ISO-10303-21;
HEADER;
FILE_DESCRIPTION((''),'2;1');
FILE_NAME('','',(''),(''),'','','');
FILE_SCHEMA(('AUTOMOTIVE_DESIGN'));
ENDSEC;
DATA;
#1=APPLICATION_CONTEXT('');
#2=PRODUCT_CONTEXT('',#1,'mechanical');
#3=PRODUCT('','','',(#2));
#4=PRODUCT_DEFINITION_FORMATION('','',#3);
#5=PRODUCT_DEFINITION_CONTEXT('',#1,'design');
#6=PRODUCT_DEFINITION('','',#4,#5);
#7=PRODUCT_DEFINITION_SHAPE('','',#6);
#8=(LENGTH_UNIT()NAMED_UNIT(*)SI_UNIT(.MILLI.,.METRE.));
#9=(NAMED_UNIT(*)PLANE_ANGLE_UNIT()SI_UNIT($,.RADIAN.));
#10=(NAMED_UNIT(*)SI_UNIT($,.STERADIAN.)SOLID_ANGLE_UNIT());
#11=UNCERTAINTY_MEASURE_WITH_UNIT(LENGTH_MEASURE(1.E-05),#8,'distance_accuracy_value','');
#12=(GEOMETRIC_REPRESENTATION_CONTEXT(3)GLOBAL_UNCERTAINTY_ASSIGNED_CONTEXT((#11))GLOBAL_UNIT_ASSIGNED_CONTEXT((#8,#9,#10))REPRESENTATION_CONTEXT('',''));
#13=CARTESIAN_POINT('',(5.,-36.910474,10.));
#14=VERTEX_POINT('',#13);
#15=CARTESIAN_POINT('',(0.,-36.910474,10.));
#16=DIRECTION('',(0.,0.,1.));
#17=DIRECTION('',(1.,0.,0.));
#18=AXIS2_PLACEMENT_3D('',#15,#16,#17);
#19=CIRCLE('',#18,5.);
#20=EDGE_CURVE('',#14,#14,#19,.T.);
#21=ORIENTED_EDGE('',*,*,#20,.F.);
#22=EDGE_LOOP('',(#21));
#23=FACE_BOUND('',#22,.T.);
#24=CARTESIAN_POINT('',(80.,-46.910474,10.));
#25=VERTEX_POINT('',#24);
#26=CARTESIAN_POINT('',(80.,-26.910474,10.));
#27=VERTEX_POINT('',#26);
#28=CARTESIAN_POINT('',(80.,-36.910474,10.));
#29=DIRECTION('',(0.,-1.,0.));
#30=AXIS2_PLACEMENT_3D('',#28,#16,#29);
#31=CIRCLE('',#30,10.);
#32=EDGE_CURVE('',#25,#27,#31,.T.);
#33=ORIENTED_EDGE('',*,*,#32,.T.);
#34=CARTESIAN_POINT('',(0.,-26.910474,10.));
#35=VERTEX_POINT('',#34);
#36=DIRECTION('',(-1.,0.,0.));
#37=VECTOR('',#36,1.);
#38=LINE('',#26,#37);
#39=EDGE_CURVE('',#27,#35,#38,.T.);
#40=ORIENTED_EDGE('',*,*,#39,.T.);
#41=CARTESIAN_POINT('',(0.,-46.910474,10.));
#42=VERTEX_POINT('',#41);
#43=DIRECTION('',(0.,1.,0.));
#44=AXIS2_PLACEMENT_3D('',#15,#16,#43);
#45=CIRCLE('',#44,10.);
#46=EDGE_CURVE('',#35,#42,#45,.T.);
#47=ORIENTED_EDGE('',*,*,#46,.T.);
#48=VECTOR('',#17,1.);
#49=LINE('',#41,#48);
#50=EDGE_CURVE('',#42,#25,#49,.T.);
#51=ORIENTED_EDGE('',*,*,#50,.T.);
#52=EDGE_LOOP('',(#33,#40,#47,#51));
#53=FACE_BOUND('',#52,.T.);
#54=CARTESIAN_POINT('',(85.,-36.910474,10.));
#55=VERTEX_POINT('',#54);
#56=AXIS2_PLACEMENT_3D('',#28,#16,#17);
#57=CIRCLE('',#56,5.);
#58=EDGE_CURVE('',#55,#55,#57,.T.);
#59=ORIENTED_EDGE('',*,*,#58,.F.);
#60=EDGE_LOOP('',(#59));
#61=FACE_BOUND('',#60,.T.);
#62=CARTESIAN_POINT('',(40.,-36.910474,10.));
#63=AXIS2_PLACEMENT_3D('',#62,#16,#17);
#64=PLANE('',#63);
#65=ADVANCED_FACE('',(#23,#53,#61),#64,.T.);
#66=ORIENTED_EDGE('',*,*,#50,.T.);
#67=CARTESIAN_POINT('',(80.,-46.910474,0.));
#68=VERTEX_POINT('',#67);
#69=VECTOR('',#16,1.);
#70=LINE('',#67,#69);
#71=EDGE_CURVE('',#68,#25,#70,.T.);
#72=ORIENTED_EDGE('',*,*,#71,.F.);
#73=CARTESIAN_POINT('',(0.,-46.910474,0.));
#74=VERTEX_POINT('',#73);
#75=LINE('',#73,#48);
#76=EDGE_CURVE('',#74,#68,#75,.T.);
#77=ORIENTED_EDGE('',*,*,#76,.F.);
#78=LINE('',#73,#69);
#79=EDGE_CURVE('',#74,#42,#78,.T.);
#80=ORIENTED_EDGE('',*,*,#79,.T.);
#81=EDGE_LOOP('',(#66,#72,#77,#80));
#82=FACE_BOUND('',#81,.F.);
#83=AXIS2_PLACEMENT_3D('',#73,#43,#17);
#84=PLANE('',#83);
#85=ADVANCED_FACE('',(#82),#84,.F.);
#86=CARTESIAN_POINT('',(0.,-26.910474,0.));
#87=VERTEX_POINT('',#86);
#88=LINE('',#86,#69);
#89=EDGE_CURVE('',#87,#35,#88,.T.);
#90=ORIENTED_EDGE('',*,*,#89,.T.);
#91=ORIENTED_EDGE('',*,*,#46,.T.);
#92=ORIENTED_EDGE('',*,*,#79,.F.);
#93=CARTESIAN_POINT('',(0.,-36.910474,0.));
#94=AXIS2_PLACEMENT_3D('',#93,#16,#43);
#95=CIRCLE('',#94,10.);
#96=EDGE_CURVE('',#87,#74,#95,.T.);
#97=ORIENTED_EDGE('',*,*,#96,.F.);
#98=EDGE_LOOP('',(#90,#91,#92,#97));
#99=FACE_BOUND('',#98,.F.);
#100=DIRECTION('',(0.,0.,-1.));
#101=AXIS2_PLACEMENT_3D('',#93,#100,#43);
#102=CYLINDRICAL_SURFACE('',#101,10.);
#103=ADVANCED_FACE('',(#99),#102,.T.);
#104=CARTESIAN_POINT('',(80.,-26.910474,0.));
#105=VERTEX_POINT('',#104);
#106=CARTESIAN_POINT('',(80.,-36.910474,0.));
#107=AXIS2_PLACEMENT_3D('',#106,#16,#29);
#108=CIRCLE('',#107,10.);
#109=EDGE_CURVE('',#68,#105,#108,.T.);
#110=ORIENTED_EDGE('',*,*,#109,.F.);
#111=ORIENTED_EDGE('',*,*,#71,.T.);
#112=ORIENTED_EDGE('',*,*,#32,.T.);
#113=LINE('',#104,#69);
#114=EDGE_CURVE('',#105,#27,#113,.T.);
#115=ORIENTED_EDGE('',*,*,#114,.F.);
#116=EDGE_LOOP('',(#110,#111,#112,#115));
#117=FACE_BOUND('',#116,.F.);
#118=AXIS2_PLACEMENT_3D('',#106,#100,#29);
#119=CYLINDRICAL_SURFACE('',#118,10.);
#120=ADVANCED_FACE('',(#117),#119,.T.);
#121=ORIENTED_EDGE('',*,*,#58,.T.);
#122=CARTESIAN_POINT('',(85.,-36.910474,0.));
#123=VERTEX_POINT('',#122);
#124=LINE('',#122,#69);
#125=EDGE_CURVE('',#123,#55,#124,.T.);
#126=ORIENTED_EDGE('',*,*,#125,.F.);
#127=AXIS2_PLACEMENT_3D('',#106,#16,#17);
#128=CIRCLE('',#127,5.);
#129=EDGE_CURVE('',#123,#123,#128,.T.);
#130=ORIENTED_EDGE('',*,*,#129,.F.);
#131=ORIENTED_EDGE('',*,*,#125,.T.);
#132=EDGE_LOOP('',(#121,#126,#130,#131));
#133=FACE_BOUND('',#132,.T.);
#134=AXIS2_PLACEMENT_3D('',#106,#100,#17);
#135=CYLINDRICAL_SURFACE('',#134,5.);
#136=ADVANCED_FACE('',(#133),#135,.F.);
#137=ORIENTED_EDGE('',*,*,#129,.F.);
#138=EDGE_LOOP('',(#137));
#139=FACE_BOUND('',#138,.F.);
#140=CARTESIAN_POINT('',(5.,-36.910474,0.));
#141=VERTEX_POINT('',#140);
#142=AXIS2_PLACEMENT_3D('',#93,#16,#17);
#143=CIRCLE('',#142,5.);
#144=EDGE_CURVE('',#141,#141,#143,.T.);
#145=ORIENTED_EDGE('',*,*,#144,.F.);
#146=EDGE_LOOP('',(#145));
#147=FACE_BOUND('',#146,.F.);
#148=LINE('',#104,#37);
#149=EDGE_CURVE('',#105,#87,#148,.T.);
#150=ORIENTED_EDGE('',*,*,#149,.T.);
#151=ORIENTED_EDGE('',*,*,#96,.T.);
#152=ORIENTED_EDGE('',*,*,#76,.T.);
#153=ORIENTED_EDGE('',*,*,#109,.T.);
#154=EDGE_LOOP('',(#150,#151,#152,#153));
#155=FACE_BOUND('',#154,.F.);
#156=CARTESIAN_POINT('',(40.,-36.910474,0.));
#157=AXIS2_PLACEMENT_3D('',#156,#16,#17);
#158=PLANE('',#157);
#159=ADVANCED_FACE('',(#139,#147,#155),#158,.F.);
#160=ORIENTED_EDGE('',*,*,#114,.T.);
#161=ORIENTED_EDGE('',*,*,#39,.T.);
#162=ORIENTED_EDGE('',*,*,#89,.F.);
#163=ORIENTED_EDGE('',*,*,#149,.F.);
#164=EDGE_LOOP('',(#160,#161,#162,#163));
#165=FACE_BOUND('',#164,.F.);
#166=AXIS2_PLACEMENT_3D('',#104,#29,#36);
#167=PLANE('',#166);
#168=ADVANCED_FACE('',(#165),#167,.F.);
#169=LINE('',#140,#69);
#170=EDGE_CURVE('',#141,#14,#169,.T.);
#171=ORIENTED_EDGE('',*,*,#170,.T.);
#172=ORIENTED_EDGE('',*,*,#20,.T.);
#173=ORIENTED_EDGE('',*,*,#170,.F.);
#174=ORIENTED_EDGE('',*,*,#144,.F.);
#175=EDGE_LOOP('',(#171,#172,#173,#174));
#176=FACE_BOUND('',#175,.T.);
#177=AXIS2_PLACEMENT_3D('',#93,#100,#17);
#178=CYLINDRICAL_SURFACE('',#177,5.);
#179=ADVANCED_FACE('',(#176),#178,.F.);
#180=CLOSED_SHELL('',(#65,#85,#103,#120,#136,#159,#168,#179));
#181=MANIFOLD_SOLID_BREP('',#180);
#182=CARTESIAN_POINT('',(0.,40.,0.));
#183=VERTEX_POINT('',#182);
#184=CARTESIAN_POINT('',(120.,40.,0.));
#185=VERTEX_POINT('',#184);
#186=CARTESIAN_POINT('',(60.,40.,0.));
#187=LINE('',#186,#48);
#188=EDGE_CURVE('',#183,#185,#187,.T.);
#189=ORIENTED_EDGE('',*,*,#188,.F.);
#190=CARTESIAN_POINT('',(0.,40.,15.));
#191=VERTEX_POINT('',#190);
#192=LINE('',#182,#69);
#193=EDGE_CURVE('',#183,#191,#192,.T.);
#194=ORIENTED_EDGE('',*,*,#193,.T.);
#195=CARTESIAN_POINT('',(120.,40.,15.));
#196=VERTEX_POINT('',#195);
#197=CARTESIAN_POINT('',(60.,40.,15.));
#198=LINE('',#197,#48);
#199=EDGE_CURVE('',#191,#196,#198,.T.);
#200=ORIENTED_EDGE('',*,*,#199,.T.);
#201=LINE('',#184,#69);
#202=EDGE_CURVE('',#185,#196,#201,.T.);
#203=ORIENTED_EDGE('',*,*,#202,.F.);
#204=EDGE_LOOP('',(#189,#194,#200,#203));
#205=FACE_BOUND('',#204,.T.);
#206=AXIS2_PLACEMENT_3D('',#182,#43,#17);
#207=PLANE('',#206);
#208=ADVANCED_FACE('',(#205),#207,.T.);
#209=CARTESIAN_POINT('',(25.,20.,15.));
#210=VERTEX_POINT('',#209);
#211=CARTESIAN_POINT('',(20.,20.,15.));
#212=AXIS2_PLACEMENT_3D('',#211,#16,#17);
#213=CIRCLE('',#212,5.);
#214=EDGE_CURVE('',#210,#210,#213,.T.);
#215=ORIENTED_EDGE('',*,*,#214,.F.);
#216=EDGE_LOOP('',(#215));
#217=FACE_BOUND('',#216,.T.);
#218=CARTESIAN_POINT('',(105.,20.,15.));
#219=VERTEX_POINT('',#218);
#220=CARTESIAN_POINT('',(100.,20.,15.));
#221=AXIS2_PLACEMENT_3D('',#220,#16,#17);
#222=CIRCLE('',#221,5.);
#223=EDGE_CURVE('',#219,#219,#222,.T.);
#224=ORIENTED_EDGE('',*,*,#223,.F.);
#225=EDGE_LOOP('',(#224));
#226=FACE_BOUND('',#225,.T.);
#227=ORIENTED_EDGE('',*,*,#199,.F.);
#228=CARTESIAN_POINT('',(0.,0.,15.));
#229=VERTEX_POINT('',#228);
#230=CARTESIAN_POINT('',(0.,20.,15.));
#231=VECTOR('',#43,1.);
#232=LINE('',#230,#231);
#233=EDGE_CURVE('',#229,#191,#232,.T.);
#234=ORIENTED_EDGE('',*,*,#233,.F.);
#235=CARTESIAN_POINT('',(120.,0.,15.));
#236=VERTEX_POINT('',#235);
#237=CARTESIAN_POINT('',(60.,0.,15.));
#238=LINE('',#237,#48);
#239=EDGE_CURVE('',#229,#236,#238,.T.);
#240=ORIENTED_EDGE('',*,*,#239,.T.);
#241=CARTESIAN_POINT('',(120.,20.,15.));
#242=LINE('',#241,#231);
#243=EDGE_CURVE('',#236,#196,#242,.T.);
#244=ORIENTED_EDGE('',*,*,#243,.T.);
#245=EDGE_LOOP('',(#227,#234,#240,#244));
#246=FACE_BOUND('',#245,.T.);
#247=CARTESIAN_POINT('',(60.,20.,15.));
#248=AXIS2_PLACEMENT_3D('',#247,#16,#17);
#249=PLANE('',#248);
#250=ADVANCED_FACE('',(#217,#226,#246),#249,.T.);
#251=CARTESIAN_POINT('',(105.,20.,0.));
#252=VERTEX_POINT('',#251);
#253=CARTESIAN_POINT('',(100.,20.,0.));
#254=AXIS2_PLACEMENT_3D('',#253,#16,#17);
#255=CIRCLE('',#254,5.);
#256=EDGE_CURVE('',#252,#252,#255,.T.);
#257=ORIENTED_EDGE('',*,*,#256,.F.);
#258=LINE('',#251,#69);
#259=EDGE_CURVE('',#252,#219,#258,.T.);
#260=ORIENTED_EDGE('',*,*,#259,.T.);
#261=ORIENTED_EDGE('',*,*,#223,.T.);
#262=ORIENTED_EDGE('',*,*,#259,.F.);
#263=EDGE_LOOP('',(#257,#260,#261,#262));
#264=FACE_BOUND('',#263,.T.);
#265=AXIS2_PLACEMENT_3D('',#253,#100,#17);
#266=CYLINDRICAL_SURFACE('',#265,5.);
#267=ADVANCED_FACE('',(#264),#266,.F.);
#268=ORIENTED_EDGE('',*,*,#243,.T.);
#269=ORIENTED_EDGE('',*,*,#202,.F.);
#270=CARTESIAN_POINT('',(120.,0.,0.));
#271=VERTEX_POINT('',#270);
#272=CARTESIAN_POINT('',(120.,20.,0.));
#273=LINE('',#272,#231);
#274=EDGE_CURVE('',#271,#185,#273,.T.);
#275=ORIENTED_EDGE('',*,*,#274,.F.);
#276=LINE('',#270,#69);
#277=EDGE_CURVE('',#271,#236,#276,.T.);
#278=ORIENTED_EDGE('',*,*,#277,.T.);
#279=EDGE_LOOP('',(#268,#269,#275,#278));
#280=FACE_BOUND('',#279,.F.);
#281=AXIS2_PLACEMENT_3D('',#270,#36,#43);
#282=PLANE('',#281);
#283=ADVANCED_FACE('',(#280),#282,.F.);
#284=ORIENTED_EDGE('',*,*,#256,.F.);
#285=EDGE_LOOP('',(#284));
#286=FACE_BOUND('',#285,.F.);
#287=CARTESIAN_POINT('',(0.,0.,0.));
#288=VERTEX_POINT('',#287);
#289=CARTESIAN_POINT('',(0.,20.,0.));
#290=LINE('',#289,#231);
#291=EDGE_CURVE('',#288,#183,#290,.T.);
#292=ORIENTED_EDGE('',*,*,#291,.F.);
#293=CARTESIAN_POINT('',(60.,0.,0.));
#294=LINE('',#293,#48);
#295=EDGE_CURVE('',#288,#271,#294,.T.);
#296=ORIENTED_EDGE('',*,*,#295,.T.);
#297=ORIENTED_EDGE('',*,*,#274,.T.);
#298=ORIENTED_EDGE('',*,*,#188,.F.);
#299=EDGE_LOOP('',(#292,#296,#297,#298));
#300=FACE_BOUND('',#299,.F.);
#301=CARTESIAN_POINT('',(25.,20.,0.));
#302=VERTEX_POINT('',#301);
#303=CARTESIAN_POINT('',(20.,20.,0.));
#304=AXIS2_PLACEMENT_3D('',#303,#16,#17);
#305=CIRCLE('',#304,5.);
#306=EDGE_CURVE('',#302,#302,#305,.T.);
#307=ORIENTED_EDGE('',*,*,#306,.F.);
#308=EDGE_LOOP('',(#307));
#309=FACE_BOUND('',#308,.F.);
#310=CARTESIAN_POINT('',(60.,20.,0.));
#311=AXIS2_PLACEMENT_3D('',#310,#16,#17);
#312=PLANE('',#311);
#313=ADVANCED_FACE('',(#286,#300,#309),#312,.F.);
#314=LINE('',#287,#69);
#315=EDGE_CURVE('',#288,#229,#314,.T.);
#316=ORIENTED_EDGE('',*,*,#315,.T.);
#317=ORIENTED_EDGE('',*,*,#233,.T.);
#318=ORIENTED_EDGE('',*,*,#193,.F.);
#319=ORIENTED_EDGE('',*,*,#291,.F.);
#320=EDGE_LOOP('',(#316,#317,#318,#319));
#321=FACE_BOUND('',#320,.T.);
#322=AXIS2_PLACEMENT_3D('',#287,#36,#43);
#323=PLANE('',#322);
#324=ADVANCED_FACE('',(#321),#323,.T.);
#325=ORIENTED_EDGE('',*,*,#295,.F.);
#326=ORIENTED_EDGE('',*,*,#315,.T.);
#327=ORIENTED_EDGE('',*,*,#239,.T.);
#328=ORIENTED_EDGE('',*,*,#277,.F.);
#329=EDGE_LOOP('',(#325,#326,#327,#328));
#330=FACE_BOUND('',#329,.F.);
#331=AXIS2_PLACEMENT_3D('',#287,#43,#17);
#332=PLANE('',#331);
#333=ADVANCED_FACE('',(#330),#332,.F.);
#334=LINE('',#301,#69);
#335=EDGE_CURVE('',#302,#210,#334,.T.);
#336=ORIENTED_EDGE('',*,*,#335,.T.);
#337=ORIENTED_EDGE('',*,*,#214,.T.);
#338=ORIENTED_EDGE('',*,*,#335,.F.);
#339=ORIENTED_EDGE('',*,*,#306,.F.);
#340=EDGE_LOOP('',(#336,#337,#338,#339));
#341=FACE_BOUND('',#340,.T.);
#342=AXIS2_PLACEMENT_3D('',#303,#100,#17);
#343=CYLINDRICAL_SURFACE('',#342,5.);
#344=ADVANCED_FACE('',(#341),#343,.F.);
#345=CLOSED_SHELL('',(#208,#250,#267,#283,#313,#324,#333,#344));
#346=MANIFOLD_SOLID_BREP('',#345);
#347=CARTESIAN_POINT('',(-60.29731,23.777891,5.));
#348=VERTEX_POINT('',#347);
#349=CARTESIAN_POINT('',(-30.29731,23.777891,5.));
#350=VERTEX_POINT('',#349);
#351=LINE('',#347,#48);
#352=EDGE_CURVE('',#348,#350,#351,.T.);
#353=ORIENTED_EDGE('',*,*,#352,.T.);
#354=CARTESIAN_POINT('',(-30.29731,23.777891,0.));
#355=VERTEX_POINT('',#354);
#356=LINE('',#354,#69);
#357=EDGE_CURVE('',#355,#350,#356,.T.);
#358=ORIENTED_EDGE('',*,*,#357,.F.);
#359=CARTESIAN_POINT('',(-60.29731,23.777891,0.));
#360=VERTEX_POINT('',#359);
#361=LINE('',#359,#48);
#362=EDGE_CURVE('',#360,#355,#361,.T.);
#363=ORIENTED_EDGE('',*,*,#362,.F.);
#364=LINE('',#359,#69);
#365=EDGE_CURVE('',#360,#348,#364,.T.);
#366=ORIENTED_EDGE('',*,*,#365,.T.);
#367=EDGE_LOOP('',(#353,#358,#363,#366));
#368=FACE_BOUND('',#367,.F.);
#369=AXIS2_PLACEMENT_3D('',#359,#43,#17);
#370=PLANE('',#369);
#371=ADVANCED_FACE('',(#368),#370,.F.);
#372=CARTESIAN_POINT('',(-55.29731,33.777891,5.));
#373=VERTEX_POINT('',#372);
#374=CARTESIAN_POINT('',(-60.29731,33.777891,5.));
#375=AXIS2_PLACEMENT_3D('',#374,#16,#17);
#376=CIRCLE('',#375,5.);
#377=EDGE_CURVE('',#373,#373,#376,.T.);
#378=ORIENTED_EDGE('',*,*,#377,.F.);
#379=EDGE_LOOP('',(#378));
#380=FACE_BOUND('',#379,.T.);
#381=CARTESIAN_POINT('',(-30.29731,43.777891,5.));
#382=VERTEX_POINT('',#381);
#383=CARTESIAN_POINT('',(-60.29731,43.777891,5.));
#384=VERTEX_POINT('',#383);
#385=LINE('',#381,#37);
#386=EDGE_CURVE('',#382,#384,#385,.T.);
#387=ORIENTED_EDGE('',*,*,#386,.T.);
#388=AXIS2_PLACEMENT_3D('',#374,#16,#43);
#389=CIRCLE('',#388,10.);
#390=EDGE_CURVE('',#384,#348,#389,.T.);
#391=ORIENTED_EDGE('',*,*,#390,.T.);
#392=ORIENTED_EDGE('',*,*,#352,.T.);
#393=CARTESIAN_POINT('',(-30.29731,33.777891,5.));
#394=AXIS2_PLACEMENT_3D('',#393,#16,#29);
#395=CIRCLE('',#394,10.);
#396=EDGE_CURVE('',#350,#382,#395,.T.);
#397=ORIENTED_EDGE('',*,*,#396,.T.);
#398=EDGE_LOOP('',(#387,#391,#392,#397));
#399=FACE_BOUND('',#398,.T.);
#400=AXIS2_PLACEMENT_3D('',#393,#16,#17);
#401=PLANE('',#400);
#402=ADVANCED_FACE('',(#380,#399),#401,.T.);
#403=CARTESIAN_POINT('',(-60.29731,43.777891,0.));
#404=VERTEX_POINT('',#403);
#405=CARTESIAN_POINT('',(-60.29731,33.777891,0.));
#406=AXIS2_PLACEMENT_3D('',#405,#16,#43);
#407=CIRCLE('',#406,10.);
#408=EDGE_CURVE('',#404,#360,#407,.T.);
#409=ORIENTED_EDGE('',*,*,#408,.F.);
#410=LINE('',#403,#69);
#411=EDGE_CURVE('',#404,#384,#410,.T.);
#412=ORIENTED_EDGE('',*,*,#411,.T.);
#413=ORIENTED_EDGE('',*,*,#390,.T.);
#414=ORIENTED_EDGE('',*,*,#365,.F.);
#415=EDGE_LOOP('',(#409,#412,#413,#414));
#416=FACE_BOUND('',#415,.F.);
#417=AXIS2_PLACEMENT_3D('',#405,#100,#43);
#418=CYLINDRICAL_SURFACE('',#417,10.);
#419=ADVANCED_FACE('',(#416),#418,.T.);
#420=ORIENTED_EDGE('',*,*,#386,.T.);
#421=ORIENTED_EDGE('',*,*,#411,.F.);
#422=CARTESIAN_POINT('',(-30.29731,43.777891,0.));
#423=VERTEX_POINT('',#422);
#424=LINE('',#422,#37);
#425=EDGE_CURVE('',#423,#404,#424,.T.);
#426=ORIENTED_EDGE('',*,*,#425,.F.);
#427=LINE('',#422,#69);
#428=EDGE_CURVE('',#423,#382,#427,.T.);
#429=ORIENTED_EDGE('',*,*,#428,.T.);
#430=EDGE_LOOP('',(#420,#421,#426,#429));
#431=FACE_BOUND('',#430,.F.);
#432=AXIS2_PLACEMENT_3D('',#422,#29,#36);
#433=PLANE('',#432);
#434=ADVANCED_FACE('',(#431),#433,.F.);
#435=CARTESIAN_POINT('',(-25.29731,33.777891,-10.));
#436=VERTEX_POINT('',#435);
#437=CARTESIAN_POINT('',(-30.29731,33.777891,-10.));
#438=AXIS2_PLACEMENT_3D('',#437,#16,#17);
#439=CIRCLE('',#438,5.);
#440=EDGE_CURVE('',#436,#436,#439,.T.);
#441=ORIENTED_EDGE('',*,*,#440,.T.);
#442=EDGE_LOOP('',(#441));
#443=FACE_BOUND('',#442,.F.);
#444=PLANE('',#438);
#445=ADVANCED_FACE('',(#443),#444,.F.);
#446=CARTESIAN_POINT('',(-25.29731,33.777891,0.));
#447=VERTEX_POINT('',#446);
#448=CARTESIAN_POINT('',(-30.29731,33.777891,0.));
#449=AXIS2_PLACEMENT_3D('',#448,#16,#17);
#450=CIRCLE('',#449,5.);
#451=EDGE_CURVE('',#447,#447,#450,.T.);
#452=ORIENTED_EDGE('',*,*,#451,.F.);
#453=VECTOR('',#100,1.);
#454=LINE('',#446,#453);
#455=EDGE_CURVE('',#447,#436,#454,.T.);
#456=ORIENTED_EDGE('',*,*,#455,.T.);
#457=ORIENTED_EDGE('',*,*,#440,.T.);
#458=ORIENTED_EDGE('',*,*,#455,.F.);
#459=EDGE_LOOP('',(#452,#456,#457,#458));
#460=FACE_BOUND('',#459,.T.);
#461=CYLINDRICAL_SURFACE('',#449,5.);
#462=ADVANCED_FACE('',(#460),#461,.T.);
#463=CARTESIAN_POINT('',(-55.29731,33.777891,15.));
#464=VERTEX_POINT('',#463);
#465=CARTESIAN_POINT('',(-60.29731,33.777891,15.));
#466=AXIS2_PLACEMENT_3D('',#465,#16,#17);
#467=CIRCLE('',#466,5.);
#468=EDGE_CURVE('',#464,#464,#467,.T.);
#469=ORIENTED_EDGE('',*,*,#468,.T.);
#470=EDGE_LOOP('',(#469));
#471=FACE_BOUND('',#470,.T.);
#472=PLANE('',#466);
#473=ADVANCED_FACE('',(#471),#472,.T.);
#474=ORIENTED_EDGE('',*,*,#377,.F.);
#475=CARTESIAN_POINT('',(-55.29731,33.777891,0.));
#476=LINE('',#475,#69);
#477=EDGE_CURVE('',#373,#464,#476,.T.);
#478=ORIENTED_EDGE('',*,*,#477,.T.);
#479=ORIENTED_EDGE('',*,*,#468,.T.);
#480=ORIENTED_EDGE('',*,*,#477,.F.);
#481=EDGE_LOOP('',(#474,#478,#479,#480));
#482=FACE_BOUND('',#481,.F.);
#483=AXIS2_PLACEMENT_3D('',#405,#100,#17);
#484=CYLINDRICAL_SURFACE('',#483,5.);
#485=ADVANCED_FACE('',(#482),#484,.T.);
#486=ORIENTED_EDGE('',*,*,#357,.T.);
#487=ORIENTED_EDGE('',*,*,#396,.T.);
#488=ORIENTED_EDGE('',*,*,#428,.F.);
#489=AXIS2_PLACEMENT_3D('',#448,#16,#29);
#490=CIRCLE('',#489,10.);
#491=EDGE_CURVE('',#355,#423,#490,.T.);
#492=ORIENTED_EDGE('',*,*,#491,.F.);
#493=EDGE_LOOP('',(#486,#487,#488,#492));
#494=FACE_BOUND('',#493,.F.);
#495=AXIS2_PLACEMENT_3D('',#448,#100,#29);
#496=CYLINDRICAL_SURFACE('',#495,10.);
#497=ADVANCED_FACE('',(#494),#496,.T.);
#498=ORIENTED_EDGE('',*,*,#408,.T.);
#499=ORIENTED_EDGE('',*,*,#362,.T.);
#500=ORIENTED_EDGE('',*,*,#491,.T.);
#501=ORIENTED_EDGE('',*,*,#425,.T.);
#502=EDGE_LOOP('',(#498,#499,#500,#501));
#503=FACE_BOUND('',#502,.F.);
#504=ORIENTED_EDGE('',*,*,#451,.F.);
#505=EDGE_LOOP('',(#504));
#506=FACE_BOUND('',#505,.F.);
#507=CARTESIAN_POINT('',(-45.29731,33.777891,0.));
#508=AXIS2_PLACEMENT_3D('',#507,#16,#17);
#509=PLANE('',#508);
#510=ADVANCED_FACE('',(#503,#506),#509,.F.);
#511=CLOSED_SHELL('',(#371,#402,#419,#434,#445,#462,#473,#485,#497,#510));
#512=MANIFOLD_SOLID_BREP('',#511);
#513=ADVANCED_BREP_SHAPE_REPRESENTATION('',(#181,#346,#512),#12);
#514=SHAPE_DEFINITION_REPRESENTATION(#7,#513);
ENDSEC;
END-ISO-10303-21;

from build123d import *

# Parameters (mm, degrees)
F0_W          = 120
F0_H          = 40
F0_R          = 5
F1_DEPTH      = 15
F2_DEPTH      = 5
F3_DEPTH      = 15
F4_DEPTH      = 10
F4_DEPTH_BACK = 5
F5_DEPTH      = 10


with BuildPart() as f1:
    # F0 (on Top) → F1 (new body)
    with BuildSketch(Plane.XY):
        with Locations((60, 20)):
            Rectangle(F0_W, F0_H)
        with Locations((20, 20)):
            Circle(F0_R, mode=Mode.SUBTRACT)
        with Locations((100, 20)):
            Circle(F0_R, mode=Mode.SUBTRACT)
    extrude(amount=F1_DEPTH)


with BuildPart() as f2:
    # F0 (on Top) → F2 (new body)
    with BuildSketch(Plane.XY):
        with BuildLine():
            Line((-30.2973103523, 43.7778905034), (-60.2973103523, 43.7778905034))
            ThreePointArc((-60.2973103523, 43.7778905034), (-70.2973103523, 33.7778905034), (-60.2973103523, 23.7778905034))
            Line((-60.2973103523, 23.7778905034), (-30.2973103523, 23.7778905034))
            ThreePointArc((-30.2973103523, 23.7778905034), (-20.2973103523, 33.7778905034), (-30.2973103523, 43.7778905034))
        make_face()
        with Locations((-60.2973103523, 33.7778905034)):
            Circle(F0_R, mode=Mode.SUBTRACT)
        with Locations((-30.2973103523, 33.7778905034)):
            Circle(F0_R, mode=Mode.SUBTRACT)
    extrude(amount=F2_DEPTH)

    # F0 (on Top) → F3 (join)
    with BuildSketch(Plane.XY):
        with Locations((-60.2973103523, 33.7778905034)):
            Circle(F0_R)
    extrude(amount=F3_DEPTH)

    # F0 (on Top) → F4 (join, two sides)
    with BuildSketch(Plane.XY) as f4_sk:
        with Locations((-30.2973103523, 33.7778905034)):
            Circle(F0_R)
    extrude(amount=-F4_DEPTH)
    extrude(f4_sk.sketch, amount=F4_DEPTH_BACK)


with BuildPart() as f5:
    # F0 (on Top) → F5 (new body)
    with BuildSketch(Plane.XY):
        with BuildLine():
            Line((80, -26.9104737011), (0, -26.9104737011))
            ThreePointArc((0, -26.9104737011), (-10, -36.9104737011), (0, -46.9104737011))
            Line((0, -46.9104737011), (80, -46.9104737011))
            ThreePointArc((80, -46.9104737011), (90, -36.9104737011), (80, -26.9104737011))
        make_face()
        with Locations((0, -36.9104737011)):
            Circle(F0_R, mode=Mode.SUBTRACT)
        with Locations((80, -36.9104737011)):
            Circle(F0_R, mode=Mode.SUBTRACT)
    extrude(amount=F5_DEPTH)


solid = Compound([f1.part, f2.part, f5.part])
